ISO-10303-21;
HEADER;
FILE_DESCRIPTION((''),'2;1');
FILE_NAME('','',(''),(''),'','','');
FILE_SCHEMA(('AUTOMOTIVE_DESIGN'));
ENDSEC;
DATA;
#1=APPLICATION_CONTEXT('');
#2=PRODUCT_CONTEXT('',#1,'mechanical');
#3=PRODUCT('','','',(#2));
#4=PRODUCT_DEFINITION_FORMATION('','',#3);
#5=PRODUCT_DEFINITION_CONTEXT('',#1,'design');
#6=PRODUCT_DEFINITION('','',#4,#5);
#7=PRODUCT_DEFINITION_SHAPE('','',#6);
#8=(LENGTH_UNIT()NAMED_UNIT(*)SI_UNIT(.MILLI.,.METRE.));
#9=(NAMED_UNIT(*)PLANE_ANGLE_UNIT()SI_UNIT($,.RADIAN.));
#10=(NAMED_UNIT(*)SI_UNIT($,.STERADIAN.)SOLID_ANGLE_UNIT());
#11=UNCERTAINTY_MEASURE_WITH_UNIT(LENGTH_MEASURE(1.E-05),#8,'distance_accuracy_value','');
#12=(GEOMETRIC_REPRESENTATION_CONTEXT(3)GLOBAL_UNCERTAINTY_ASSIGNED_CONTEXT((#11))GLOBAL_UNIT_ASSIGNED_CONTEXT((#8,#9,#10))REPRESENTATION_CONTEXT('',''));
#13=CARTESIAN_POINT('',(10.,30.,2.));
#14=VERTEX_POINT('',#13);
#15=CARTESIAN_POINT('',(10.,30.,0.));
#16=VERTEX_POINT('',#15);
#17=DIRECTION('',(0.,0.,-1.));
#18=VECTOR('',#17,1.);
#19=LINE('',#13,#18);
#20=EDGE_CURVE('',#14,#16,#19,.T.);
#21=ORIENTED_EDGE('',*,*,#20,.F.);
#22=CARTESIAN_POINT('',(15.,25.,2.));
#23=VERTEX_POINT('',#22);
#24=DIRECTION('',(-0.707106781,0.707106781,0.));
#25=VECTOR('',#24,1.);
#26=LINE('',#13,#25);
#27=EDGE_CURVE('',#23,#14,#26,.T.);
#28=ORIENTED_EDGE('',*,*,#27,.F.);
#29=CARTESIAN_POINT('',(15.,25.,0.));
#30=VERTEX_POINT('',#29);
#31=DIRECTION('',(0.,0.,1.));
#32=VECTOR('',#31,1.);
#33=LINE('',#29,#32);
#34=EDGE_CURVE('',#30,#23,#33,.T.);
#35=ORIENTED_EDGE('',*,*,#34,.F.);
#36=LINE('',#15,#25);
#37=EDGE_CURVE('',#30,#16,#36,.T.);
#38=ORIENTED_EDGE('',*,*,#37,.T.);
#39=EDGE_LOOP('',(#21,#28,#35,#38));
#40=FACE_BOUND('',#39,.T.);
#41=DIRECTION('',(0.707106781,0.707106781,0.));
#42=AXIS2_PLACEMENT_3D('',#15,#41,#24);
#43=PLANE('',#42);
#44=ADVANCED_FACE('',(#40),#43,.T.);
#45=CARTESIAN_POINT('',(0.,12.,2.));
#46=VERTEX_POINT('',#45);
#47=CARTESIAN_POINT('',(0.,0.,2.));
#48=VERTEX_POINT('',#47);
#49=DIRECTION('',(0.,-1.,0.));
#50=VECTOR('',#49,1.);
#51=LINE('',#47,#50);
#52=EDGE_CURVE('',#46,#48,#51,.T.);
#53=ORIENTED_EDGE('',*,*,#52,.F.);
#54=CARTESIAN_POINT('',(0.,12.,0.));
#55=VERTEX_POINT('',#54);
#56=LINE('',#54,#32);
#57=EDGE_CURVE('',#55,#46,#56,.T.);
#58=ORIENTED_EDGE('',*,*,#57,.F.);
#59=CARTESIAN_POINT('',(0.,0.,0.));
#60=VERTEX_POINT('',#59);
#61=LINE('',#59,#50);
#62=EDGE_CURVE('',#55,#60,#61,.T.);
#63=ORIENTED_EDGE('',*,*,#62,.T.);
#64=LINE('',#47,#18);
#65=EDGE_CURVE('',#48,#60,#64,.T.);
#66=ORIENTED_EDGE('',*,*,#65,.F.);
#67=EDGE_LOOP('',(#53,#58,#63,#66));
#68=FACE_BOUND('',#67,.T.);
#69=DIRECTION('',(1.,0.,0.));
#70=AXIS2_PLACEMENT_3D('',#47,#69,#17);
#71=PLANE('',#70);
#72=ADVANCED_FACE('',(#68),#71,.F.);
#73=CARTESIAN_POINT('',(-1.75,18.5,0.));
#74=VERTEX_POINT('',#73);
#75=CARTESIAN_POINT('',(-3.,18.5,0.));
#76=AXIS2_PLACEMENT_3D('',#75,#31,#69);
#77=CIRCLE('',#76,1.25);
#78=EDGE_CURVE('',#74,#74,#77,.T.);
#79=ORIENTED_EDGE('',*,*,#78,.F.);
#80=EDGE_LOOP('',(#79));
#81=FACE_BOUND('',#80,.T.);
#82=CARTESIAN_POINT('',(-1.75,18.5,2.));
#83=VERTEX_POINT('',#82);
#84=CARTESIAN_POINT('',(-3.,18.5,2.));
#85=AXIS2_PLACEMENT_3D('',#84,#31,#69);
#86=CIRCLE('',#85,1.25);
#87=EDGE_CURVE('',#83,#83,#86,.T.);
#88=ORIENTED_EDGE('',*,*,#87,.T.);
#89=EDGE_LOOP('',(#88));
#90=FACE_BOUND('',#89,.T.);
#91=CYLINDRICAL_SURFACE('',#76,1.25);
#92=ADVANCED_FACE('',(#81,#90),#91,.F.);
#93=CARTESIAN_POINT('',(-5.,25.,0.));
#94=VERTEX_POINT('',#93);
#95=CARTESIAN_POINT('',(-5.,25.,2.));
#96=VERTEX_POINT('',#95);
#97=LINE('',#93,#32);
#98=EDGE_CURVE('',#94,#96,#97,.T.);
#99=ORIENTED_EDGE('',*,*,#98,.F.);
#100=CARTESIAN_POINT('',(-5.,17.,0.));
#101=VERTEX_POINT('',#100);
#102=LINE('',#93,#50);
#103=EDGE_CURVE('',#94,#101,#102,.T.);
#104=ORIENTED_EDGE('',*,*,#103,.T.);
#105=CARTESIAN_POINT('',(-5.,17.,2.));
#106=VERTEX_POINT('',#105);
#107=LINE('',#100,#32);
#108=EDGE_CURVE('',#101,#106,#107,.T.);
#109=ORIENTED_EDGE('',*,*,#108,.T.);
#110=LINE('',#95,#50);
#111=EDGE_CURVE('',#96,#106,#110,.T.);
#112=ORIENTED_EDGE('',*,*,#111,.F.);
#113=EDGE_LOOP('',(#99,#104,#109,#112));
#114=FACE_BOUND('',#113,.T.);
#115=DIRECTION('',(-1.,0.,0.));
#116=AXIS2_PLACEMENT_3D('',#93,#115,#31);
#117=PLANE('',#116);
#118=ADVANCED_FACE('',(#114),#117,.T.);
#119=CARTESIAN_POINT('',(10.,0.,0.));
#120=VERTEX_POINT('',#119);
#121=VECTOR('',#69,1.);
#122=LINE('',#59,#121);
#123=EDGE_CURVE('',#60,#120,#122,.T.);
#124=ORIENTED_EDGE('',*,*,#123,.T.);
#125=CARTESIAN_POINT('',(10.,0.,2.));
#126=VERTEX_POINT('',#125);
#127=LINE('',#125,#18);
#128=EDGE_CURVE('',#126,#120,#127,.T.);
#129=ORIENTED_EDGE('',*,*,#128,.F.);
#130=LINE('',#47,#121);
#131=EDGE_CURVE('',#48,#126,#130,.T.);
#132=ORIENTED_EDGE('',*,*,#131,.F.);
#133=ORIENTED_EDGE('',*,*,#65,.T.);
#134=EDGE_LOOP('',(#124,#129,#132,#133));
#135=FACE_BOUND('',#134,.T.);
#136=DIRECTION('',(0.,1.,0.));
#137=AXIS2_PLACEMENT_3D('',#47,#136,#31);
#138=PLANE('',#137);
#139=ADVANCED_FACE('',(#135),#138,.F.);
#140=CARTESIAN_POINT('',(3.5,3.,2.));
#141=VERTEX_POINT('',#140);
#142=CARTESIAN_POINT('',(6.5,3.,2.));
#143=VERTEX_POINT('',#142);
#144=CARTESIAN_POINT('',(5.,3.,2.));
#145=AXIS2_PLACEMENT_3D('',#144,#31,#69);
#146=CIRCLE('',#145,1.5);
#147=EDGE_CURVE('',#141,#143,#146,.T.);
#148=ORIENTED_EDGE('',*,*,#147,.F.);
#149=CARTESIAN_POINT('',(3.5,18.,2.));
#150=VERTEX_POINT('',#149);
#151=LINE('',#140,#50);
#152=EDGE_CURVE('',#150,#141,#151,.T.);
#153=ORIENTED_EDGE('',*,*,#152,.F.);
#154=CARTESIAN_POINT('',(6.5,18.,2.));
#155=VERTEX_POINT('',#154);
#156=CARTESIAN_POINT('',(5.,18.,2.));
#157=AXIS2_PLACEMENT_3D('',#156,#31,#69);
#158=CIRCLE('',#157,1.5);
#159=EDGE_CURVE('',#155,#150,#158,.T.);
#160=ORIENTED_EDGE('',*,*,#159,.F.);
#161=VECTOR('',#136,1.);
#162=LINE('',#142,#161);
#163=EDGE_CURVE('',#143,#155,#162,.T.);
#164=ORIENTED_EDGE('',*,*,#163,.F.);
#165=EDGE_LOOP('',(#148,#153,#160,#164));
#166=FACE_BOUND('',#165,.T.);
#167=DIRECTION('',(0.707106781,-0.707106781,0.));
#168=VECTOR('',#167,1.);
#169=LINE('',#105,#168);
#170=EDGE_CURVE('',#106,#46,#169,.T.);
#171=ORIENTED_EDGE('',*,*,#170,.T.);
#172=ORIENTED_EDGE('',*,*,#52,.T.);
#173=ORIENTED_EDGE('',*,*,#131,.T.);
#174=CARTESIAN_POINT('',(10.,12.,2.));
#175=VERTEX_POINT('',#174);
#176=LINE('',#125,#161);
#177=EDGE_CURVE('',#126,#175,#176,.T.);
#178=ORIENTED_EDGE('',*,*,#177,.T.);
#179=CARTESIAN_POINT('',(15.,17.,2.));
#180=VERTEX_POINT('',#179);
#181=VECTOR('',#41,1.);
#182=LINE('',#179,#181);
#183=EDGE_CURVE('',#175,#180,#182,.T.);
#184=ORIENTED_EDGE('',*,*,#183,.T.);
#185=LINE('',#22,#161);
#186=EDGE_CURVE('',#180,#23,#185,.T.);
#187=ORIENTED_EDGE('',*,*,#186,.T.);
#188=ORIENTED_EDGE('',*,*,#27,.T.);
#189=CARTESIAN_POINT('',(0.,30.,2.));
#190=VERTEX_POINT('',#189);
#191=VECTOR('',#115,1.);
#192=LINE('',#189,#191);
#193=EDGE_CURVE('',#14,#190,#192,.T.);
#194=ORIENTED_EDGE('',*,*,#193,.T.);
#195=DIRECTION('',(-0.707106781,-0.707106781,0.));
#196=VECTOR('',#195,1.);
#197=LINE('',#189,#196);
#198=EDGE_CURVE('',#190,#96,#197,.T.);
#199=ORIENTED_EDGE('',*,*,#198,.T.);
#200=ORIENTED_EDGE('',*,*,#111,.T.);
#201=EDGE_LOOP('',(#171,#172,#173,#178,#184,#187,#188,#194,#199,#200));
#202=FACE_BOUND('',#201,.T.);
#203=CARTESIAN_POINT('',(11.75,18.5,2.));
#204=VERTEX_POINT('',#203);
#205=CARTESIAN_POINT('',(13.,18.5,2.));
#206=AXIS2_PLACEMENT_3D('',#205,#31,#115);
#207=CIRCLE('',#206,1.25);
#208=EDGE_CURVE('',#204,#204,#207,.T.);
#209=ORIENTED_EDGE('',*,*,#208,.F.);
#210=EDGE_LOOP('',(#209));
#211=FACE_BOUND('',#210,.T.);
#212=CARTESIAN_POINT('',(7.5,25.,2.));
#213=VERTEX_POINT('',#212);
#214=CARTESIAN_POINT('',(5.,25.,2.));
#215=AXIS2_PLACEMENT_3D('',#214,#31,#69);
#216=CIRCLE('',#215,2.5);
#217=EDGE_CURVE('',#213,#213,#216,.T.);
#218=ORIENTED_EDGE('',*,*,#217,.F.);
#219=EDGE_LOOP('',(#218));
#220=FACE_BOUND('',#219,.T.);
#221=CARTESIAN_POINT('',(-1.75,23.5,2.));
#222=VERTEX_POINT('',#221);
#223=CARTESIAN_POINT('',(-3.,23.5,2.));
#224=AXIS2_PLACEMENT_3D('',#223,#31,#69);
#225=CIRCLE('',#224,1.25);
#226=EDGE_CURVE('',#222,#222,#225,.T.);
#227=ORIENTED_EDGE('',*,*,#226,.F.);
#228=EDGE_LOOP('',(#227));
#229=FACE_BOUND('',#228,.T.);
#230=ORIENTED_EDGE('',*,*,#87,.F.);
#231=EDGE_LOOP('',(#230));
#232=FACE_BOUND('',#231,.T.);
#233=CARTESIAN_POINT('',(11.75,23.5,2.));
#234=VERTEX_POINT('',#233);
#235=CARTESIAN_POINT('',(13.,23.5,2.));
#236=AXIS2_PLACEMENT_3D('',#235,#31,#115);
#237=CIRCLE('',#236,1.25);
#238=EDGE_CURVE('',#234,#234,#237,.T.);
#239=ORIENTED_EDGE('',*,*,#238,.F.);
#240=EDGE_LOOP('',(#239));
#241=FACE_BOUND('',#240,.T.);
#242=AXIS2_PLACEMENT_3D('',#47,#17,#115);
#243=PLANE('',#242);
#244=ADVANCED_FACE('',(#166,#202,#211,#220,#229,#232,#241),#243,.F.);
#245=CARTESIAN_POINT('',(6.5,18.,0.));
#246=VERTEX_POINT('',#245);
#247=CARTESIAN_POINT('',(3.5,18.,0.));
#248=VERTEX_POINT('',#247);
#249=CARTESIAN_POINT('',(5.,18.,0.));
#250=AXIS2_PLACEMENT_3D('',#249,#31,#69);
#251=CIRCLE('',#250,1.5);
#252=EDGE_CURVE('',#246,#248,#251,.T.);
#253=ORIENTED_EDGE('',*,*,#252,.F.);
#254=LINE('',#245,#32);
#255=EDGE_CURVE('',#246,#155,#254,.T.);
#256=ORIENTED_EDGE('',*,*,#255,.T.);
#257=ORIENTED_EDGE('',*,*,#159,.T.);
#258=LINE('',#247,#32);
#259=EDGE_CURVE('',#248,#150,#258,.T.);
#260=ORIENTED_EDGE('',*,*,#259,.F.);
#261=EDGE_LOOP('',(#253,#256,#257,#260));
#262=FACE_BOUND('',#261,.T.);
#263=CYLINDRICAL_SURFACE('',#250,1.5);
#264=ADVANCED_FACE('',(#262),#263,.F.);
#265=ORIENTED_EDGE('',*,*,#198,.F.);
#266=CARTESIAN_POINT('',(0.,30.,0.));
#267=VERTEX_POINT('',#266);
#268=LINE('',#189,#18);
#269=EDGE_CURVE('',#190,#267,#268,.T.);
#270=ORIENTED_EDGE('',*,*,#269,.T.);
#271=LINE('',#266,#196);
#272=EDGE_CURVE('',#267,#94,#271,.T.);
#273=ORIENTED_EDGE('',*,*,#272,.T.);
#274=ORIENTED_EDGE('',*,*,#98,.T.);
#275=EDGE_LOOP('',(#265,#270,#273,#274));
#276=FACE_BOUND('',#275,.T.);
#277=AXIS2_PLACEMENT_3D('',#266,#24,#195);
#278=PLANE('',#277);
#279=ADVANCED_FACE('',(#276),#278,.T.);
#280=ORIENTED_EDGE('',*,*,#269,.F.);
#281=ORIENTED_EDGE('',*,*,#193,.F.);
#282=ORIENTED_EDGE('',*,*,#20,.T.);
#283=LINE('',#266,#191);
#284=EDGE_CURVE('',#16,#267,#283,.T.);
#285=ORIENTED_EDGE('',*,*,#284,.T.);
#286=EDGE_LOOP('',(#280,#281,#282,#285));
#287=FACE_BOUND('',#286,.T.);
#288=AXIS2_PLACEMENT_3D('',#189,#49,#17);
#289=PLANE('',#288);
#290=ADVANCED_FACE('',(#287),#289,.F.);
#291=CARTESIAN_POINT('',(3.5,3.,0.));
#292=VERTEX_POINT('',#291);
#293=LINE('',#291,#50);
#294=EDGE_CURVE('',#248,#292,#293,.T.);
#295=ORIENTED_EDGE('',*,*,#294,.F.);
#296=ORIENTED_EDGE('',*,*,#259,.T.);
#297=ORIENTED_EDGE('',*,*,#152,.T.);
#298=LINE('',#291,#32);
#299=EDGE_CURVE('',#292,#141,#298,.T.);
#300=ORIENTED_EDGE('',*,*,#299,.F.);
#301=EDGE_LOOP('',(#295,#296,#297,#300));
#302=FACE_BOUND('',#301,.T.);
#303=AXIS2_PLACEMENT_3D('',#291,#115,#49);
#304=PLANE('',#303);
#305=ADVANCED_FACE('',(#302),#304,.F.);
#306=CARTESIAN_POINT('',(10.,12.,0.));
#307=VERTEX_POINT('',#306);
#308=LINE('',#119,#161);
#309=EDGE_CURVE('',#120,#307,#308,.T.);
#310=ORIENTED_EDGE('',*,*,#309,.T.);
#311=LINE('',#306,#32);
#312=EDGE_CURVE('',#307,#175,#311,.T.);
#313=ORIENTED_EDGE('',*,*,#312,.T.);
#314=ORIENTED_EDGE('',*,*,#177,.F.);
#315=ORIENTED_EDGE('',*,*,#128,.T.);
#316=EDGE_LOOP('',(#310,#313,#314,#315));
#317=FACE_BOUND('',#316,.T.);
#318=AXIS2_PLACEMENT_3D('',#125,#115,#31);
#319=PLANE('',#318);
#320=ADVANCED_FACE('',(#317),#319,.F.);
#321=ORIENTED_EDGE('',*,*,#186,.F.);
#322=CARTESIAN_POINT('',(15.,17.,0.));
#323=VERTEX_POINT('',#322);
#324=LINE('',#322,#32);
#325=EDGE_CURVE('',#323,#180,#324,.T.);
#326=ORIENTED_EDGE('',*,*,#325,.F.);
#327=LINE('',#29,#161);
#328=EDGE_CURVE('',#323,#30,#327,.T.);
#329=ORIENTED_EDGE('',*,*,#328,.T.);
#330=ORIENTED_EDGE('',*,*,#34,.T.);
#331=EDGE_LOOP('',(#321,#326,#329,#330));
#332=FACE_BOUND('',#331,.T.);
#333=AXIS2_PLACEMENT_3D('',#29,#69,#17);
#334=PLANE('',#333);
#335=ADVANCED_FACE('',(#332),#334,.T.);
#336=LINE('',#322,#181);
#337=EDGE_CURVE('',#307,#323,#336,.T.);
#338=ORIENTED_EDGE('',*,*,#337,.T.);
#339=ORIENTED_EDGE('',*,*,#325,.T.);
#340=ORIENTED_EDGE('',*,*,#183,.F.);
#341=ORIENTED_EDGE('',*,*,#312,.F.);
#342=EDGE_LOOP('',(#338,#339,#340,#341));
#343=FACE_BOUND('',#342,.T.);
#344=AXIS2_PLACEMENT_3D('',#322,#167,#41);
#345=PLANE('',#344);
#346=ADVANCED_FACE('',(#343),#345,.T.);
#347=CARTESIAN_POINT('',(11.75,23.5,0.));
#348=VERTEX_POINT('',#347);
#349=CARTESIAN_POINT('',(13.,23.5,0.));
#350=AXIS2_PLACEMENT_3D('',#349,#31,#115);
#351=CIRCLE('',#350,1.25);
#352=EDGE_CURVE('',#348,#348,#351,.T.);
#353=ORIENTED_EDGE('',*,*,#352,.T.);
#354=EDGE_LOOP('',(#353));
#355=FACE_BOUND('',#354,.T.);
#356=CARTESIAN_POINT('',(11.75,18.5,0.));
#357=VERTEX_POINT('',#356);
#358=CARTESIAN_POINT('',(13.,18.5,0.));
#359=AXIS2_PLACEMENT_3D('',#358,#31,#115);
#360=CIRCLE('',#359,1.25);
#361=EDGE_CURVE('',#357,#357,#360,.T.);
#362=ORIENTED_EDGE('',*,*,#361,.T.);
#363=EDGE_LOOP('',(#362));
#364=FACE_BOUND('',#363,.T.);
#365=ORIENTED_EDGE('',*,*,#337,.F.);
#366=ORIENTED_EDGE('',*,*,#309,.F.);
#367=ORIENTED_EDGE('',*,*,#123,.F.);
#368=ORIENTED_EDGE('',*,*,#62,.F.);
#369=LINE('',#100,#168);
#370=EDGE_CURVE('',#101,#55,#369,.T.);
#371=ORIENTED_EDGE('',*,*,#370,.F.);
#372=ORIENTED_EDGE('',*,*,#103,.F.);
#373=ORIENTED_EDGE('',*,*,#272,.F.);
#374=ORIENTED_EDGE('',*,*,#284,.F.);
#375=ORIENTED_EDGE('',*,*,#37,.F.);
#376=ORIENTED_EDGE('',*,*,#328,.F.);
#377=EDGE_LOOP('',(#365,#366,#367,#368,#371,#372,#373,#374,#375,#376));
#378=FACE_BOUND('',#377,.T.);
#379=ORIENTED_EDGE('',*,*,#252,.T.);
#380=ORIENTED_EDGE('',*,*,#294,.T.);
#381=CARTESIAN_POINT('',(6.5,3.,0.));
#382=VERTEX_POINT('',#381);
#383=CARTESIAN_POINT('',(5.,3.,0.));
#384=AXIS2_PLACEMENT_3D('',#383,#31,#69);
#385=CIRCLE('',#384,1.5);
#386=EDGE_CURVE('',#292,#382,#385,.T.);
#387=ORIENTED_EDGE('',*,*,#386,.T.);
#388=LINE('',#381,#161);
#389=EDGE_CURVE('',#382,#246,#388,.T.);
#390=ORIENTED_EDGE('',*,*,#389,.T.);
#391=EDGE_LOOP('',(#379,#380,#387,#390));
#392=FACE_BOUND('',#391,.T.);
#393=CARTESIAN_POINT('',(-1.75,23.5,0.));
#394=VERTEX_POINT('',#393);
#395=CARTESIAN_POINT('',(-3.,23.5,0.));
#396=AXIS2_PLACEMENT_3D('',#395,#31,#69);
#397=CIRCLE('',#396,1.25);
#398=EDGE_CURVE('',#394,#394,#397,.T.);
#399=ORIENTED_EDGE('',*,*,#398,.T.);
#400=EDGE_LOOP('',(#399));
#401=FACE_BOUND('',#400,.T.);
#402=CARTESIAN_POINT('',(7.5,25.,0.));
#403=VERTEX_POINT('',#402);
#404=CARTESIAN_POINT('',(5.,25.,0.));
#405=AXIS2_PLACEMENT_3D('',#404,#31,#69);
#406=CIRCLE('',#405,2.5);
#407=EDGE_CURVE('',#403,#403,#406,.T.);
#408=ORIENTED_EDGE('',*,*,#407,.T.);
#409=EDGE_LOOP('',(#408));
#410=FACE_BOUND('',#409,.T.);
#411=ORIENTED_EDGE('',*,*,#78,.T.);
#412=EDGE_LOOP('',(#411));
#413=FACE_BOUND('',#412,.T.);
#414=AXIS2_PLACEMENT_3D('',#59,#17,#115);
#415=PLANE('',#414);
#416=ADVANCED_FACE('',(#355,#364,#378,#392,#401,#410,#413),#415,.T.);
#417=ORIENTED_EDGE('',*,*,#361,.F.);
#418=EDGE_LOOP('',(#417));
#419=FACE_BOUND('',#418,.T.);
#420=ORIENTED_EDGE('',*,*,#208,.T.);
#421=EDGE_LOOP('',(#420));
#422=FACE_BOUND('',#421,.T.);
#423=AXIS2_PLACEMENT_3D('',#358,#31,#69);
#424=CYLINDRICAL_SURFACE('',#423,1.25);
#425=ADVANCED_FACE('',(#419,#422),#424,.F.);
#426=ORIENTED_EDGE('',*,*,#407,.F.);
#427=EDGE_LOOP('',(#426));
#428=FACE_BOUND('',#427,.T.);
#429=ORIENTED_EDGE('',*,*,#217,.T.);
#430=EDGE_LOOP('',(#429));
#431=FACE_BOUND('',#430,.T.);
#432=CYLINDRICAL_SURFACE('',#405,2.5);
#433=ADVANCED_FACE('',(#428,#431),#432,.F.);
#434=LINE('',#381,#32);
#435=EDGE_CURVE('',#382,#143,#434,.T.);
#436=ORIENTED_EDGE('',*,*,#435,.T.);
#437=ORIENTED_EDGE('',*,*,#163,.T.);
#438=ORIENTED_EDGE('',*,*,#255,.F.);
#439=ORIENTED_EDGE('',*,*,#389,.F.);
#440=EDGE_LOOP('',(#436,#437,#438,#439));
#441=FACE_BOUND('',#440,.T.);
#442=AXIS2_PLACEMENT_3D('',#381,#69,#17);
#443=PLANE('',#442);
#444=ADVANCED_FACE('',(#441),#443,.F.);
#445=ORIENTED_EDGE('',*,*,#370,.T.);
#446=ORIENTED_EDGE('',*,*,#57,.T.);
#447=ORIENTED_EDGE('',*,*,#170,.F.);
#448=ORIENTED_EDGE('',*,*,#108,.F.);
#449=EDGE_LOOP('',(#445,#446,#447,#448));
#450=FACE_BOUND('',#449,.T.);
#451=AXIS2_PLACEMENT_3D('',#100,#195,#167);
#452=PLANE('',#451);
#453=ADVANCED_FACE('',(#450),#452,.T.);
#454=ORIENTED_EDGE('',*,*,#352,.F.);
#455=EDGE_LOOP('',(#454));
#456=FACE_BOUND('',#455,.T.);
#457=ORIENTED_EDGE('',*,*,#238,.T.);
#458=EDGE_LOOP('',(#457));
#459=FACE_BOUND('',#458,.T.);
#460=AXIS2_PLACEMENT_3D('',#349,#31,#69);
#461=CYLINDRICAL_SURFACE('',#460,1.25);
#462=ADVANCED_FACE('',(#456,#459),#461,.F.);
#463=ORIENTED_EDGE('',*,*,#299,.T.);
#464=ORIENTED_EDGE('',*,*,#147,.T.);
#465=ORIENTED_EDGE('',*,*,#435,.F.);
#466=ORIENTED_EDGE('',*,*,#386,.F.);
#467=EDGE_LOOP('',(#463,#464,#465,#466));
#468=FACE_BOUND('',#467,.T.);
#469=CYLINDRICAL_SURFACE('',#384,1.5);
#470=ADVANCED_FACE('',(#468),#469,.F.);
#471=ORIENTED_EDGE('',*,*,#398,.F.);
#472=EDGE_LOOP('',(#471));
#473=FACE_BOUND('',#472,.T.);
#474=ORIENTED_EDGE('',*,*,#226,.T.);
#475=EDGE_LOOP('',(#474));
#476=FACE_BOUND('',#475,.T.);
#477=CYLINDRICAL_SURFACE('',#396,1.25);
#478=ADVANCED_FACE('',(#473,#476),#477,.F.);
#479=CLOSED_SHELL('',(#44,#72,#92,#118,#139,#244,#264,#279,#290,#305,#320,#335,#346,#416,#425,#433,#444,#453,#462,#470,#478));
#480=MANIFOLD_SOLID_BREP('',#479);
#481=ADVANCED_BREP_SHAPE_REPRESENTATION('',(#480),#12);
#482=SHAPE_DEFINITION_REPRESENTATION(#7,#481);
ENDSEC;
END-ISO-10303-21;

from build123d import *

# Parameters (mm, degrees)
SKETCH1_W           = 10
SKETCH1_H           = 30
BOSS_EXTRUDE1_DEPTH = 2
SKETCH2_R           = 2.5
CUT_EXTRUDE1_DEPTH  = 2
CUT_EXTRUDE2_DEPTH  = 2
BOSS_EXTRUDE2_DEPTH = 2
SKETCH5_R           = 1.25
CUT_EXTRUDE3_DEPTH  = 2


with BuildPart() as part:
    # Sketch1 → Boss-Extrude1 (new body)
    with BuildSketch(Plane.XY):
        with Locations((5, 15)):
            Rectangle(SKETCH1_W, SKETCH1_H)
    extrude(amount=BOSS_EXTRUDE1_DEPTH)

    # Sketch2 → Cut-Extrude1 (cut)
    with BuildSketch(Plane.XY.offset(2)):
        with Locations((5, 25)):
            Circle(SKETCH2_R)
    extrude(amount=-CUT_EXTRUDE1_DEPTH, mode=Mode.SUBTRACT)

    # Sketch3 → Cut-Extrude2 (cut)
    with BuildSketch(Plane.XY.offset(2)):
        with BuildLine():
            Line((3.5, 3), (3.5, 18))
            ThreePointArc((3.5, 18), (5, 19.5), (6.5, 18))
            Line((6.5, 18), (6.5, 3))
            ThreePointArc((6.5, 3), (5, 1.5), (3.5, 3))
        make_face()
    extrude(amount=-CUT_EXTRUDE2_DEPTH, mode=Mode.SUBTRACT)

    # Sketch4 → Boss-Extrude2 (add)
    with BuildSketch(Plane.XY.offset(2)):
        Polygon((0, 30), (-5, 25), (-5, 17), (0, 12), align=None)
        Polygon((10, 30), (15, 25), (15, 17), (10, 12), align=None)
    extrude(amount=-BOSS_EXTRUDE2_DEPTH)

    # Sketch5 → Cut-Extrude3 (cut)
    with BuildSketch(Plane.XY.offset(2)):
        with Locations((-3, 23.5)):
            Circle(SKETCH5_R)
        with Locations((-3, 18.5)):
            Circle(SKETCH5_R)
        with Locations((13, 18.5)):
            Circle(SKETCH5_R)
        with Locations((13, 23.5)):
            Circle(SKETCH5_R)
    extrude(amount=-CUT_EXTRUDE3_DEPTH, mode=Mode.SUBTRACT)


solid = part.part
